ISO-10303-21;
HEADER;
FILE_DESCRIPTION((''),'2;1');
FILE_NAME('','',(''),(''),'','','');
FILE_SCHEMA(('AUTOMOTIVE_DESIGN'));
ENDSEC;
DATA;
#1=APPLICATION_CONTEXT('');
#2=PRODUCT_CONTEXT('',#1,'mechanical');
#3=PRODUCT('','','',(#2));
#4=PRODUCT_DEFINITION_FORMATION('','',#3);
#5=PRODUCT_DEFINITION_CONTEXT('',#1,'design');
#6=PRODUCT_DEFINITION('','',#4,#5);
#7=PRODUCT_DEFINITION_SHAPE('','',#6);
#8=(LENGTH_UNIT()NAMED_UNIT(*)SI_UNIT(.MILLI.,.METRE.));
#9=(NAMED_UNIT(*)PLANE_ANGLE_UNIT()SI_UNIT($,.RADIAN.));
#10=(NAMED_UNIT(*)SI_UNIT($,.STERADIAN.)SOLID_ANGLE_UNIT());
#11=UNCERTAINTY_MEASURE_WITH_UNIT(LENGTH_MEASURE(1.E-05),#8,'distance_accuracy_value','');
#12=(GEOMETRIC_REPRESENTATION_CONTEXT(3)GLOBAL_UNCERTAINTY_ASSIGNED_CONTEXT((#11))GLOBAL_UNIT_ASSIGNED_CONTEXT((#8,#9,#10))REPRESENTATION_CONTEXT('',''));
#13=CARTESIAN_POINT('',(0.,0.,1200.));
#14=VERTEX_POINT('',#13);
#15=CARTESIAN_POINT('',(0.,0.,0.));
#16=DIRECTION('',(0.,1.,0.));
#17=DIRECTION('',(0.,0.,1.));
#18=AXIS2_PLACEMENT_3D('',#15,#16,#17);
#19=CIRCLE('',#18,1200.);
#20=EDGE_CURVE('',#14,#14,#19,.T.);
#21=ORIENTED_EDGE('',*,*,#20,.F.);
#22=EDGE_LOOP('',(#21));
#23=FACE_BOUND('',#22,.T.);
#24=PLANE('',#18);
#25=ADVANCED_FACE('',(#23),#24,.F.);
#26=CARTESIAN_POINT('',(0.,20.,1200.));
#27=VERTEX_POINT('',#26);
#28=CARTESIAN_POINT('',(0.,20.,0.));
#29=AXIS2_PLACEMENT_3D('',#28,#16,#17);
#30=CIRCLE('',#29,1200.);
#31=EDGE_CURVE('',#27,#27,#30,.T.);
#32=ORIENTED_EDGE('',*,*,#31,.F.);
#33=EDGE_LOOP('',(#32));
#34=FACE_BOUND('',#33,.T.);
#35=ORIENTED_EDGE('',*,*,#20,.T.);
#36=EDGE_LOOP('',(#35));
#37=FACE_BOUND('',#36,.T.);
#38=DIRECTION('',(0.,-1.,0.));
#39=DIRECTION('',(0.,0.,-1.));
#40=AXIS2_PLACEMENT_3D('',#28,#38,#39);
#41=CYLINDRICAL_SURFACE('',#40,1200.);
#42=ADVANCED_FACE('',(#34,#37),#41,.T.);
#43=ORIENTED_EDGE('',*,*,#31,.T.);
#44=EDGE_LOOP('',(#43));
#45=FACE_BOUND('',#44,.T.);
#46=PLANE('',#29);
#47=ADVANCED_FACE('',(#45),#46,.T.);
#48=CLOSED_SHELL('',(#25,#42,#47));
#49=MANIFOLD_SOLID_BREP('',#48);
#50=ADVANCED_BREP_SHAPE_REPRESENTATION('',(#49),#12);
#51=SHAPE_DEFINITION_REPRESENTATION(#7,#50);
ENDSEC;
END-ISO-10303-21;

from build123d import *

# Parameters (mm, degrees)
SKIZZE1_R                       = 1200
AUFSATZ_LINEAR_AUSTRAGEN1_DEPTH = 20


with BuildPart() as part:
    # Skizze1 → Aufsatz-Linear austragen1 (new body)
    with BuildSketch(Plane(origin=(0, 0, 0), x_dir=(1, 0, 0), z_dir=(0, 1, 0))):
        with Locations(Location((0, 0, 0), (0, 0, 270))):  # turned: the seam where the file's is
            Circle(SKIZZE1_R)
    extrude(amount=AUFSATZ_LINEAR_AUSTRAGEN1_DEPTH)


solid = part.part
